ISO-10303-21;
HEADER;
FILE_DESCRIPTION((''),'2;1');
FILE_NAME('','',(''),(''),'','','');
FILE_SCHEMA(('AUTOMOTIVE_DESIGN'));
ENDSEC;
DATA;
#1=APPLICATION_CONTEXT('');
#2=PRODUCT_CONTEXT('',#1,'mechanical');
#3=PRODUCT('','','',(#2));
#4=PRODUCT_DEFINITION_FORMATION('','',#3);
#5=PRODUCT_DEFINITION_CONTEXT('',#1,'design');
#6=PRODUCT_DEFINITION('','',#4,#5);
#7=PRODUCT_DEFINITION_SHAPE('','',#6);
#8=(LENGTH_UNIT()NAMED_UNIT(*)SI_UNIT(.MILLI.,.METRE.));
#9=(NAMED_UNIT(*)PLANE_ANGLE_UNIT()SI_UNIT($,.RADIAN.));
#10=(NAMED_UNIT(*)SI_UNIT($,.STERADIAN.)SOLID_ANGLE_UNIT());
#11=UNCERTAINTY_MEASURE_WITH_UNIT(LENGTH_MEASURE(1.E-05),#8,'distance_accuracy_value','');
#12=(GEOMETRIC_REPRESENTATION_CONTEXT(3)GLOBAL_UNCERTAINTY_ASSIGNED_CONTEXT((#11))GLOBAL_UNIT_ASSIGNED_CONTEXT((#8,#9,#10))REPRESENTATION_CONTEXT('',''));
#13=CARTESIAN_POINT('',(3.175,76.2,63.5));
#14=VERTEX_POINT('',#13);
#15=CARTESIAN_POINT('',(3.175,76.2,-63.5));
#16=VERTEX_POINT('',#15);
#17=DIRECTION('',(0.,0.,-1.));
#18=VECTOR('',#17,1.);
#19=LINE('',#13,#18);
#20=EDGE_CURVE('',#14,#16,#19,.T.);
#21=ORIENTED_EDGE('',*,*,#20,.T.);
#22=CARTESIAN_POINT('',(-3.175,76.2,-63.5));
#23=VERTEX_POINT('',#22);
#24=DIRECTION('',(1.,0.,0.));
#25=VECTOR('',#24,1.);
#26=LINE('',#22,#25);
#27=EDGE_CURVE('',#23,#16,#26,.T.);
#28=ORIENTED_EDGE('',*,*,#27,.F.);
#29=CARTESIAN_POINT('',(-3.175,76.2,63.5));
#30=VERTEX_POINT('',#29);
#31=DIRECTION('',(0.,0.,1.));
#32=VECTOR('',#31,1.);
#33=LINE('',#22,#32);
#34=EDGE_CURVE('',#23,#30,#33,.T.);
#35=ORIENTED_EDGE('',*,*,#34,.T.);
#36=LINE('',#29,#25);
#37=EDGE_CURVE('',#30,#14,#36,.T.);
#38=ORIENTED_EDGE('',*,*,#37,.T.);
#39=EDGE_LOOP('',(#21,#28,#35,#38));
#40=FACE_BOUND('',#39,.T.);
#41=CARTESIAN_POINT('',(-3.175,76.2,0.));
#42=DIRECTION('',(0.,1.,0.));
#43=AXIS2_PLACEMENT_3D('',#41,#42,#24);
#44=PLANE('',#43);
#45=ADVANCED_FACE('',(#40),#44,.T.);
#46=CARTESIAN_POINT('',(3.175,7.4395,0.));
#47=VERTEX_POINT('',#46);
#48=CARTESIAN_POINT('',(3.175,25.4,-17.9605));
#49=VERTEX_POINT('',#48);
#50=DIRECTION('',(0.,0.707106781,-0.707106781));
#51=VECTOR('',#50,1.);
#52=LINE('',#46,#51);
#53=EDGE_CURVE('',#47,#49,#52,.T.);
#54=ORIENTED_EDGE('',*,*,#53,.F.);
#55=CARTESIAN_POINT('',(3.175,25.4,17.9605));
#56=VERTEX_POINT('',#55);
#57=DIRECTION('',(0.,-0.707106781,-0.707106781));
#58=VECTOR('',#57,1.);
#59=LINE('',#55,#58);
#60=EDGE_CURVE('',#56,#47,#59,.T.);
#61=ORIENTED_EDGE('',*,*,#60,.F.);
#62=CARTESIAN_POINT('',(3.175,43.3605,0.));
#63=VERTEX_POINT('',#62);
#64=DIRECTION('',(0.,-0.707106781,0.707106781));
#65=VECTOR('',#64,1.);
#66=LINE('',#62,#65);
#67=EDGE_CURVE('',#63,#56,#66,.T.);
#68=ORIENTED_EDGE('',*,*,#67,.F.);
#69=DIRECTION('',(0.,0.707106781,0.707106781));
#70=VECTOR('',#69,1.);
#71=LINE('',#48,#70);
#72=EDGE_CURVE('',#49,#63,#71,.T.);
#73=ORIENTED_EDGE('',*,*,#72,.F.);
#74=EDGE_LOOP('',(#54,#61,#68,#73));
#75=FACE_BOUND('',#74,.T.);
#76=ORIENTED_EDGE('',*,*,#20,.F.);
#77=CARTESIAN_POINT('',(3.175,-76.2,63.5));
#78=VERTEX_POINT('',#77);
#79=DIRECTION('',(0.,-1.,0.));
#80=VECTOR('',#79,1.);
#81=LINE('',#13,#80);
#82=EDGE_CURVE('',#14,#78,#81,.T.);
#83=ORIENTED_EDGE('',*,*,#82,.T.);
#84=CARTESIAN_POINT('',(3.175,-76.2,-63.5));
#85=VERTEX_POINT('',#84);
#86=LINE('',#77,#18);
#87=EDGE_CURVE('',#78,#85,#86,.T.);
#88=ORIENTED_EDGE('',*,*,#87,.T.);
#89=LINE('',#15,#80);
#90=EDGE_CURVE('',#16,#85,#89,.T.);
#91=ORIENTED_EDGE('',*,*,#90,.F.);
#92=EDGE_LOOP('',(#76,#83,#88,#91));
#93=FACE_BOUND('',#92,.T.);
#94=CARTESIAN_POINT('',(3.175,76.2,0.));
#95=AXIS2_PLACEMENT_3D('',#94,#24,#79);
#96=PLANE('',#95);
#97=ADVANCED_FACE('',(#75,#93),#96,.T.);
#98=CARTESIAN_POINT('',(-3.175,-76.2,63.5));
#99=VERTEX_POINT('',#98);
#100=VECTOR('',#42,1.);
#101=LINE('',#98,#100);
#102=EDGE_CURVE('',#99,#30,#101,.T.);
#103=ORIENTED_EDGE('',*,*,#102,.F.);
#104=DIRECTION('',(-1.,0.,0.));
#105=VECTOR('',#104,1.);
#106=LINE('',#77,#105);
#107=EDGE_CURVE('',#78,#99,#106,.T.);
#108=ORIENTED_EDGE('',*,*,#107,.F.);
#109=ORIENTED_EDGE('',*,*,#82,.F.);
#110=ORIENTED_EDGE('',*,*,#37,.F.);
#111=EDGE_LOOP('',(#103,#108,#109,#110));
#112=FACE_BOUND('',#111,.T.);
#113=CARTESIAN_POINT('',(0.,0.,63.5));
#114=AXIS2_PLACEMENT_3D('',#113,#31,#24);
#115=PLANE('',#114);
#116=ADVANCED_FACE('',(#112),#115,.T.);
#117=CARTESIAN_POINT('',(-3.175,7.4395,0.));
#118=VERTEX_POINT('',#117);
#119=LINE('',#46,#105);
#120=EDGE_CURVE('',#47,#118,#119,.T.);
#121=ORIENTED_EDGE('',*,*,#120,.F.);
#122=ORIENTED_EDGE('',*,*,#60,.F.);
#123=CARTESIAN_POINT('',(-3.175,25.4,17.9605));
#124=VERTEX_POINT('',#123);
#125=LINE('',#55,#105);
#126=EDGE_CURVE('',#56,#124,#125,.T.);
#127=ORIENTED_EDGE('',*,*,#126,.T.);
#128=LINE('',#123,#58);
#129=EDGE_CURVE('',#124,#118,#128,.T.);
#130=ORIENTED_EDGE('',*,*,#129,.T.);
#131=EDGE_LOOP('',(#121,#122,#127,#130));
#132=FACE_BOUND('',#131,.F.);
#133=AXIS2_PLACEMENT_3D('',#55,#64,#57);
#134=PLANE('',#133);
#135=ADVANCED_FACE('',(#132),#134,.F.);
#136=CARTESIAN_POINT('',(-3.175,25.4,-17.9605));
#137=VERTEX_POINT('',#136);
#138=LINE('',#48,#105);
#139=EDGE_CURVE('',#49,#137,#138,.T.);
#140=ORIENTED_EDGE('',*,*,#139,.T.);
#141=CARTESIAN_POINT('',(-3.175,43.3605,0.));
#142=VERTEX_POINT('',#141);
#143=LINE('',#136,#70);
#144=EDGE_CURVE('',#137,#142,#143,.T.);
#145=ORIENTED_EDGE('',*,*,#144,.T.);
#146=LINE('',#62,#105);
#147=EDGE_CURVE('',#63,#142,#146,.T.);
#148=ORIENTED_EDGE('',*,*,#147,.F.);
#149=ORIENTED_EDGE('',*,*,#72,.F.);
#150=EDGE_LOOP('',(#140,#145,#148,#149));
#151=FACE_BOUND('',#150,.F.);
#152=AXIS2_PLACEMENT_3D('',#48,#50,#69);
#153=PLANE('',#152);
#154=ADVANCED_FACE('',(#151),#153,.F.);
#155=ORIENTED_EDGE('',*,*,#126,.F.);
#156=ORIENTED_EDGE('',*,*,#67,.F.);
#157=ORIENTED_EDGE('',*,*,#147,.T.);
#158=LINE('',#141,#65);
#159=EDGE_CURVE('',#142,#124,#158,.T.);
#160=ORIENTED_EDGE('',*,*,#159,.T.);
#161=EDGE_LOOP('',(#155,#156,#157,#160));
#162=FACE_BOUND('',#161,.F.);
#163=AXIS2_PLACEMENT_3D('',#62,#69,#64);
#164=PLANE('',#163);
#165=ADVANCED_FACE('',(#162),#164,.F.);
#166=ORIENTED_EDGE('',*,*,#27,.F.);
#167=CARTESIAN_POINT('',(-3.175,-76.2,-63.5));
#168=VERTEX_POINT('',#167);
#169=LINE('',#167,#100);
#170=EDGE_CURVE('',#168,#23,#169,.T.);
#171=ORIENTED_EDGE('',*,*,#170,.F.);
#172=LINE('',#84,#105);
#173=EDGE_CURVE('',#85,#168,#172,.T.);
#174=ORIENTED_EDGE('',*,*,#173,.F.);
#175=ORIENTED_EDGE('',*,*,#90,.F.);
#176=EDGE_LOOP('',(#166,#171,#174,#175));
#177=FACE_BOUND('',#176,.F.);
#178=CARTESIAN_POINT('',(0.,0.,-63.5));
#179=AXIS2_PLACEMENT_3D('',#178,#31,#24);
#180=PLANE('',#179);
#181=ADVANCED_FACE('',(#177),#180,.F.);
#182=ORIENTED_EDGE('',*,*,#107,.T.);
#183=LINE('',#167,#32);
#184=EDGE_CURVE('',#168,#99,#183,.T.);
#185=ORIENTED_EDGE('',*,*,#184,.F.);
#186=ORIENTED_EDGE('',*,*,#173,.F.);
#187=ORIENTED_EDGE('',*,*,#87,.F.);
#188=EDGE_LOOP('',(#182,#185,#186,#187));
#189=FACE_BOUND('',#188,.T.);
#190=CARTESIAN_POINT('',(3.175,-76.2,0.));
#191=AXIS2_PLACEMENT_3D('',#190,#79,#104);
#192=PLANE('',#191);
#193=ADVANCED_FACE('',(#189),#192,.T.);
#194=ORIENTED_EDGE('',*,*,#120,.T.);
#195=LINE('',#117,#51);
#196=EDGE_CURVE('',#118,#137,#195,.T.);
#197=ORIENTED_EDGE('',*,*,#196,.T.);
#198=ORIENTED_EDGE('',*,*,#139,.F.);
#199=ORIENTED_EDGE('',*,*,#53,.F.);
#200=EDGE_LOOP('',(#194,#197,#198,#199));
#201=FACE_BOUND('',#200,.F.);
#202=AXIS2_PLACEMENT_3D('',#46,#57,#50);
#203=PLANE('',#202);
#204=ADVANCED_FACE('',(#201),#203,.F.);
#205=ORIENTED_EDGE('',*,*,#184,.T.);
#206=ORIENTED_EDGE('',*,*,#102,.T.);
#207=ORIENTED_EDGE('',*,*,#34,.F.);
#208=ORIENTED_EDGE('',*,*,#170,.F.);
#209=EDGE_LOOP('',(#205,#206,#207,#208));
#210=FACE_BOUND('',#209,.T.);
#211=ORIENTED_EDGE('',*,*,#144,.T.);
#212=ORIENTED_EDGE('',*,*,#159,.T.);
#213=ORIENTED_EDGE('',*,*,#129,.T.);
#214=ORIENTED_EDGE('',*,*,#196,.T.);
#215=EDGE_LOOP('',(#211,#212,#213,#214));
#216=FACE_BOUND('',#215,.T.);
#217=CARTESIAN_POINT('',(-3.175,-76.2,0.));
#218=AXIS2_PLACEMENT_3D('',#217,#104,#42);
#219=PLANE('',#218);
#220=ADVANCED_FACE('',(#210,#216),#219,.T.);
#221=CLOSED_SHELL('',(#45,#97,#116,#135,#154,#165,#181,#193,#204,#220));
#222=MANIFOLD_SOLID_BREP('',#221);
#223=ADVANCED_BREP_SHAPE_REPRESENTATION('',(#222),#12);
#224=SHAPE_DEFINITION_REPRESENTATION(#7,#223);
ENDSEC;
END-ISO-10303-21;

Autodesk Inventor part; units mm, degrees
ref_plane "YZ Plane" through (0, 0, 0) normal (1, 0, 0) x (0, 1, 0)
ref_plane "XZ Plane" through (0, 0, 0) normal (0, 1, 0) x (-1, 0, 0)
ref_plane "XY Plane" through (0, 0, 0) normal (0, 0, 1) x (1, 0, 0)
sketch "Sketch1" plane through (0, 0, 0) normal (0, 0, 1) x (1, 0, 0)
  line L0 (-3.175, 76.2) -> (3.175, 76.2)
  line L1 (3.175, 76.2) -> (3.175, -76.2)
  line L2 (3.175, -76.2) -> (-3.175, -76.2)
  line L3 (-3.175, -76.2) -> (-3.175, 76.2)
  line L4 (-3.175, 76.2) -> (3.175, -76.2) construction
  line L5 (3.175, 76.2) -> (-3.175, -76.2) construction
  point P0 (0, 0)
  dimension "d0" = 6.35
  dimension "d1" = 152.4
extrude "Extrusion1" add sketch "Sketch1" along normal mid plane 127
sketch "Sketch2" plane through (3.175, -76.2, 63.5) normal (1, 0, 0) x (0, 0, -1)
  line L0 (63.5, 83.6395) -> (81.4605, 101.6)
  line L1 (81.4605, 101.6) -> (63.5, 119.5605)
  line L2 (63.5, 119.5605) -> (45.5395, 101.6)
  line L3 (45.5395, 101.6) -> (63.5, 83.6395)
  line L4 (63.5, 83.6395) -> (63.5, 119.5605) construction
  line L5 (81.4605, 101.6) -> (45.5395, 101.6) construction
  line L6 (63.5, 83.6395) -> (88.9, 83.6395) construction
  line L7 (127, 152.4) -> (0, 152.4) projected
  point P0 (63.5, 76.2)
  point P1 (63.5, 101.6)
  point P2 (63.5, 152.4)
  point P3 (63.5, 101.6)
  dimension "d4" = 25.4
  dimension "d5" = 45
  dimension "d6" = 25.4
  dimension "d7" = 50.8
extrude "Extrusion2" cut sketch "Sketch2" against normal up to surface (6.35 mm away)
properties part number "x_axis_wood_mount" material "Wood (Birch)"
